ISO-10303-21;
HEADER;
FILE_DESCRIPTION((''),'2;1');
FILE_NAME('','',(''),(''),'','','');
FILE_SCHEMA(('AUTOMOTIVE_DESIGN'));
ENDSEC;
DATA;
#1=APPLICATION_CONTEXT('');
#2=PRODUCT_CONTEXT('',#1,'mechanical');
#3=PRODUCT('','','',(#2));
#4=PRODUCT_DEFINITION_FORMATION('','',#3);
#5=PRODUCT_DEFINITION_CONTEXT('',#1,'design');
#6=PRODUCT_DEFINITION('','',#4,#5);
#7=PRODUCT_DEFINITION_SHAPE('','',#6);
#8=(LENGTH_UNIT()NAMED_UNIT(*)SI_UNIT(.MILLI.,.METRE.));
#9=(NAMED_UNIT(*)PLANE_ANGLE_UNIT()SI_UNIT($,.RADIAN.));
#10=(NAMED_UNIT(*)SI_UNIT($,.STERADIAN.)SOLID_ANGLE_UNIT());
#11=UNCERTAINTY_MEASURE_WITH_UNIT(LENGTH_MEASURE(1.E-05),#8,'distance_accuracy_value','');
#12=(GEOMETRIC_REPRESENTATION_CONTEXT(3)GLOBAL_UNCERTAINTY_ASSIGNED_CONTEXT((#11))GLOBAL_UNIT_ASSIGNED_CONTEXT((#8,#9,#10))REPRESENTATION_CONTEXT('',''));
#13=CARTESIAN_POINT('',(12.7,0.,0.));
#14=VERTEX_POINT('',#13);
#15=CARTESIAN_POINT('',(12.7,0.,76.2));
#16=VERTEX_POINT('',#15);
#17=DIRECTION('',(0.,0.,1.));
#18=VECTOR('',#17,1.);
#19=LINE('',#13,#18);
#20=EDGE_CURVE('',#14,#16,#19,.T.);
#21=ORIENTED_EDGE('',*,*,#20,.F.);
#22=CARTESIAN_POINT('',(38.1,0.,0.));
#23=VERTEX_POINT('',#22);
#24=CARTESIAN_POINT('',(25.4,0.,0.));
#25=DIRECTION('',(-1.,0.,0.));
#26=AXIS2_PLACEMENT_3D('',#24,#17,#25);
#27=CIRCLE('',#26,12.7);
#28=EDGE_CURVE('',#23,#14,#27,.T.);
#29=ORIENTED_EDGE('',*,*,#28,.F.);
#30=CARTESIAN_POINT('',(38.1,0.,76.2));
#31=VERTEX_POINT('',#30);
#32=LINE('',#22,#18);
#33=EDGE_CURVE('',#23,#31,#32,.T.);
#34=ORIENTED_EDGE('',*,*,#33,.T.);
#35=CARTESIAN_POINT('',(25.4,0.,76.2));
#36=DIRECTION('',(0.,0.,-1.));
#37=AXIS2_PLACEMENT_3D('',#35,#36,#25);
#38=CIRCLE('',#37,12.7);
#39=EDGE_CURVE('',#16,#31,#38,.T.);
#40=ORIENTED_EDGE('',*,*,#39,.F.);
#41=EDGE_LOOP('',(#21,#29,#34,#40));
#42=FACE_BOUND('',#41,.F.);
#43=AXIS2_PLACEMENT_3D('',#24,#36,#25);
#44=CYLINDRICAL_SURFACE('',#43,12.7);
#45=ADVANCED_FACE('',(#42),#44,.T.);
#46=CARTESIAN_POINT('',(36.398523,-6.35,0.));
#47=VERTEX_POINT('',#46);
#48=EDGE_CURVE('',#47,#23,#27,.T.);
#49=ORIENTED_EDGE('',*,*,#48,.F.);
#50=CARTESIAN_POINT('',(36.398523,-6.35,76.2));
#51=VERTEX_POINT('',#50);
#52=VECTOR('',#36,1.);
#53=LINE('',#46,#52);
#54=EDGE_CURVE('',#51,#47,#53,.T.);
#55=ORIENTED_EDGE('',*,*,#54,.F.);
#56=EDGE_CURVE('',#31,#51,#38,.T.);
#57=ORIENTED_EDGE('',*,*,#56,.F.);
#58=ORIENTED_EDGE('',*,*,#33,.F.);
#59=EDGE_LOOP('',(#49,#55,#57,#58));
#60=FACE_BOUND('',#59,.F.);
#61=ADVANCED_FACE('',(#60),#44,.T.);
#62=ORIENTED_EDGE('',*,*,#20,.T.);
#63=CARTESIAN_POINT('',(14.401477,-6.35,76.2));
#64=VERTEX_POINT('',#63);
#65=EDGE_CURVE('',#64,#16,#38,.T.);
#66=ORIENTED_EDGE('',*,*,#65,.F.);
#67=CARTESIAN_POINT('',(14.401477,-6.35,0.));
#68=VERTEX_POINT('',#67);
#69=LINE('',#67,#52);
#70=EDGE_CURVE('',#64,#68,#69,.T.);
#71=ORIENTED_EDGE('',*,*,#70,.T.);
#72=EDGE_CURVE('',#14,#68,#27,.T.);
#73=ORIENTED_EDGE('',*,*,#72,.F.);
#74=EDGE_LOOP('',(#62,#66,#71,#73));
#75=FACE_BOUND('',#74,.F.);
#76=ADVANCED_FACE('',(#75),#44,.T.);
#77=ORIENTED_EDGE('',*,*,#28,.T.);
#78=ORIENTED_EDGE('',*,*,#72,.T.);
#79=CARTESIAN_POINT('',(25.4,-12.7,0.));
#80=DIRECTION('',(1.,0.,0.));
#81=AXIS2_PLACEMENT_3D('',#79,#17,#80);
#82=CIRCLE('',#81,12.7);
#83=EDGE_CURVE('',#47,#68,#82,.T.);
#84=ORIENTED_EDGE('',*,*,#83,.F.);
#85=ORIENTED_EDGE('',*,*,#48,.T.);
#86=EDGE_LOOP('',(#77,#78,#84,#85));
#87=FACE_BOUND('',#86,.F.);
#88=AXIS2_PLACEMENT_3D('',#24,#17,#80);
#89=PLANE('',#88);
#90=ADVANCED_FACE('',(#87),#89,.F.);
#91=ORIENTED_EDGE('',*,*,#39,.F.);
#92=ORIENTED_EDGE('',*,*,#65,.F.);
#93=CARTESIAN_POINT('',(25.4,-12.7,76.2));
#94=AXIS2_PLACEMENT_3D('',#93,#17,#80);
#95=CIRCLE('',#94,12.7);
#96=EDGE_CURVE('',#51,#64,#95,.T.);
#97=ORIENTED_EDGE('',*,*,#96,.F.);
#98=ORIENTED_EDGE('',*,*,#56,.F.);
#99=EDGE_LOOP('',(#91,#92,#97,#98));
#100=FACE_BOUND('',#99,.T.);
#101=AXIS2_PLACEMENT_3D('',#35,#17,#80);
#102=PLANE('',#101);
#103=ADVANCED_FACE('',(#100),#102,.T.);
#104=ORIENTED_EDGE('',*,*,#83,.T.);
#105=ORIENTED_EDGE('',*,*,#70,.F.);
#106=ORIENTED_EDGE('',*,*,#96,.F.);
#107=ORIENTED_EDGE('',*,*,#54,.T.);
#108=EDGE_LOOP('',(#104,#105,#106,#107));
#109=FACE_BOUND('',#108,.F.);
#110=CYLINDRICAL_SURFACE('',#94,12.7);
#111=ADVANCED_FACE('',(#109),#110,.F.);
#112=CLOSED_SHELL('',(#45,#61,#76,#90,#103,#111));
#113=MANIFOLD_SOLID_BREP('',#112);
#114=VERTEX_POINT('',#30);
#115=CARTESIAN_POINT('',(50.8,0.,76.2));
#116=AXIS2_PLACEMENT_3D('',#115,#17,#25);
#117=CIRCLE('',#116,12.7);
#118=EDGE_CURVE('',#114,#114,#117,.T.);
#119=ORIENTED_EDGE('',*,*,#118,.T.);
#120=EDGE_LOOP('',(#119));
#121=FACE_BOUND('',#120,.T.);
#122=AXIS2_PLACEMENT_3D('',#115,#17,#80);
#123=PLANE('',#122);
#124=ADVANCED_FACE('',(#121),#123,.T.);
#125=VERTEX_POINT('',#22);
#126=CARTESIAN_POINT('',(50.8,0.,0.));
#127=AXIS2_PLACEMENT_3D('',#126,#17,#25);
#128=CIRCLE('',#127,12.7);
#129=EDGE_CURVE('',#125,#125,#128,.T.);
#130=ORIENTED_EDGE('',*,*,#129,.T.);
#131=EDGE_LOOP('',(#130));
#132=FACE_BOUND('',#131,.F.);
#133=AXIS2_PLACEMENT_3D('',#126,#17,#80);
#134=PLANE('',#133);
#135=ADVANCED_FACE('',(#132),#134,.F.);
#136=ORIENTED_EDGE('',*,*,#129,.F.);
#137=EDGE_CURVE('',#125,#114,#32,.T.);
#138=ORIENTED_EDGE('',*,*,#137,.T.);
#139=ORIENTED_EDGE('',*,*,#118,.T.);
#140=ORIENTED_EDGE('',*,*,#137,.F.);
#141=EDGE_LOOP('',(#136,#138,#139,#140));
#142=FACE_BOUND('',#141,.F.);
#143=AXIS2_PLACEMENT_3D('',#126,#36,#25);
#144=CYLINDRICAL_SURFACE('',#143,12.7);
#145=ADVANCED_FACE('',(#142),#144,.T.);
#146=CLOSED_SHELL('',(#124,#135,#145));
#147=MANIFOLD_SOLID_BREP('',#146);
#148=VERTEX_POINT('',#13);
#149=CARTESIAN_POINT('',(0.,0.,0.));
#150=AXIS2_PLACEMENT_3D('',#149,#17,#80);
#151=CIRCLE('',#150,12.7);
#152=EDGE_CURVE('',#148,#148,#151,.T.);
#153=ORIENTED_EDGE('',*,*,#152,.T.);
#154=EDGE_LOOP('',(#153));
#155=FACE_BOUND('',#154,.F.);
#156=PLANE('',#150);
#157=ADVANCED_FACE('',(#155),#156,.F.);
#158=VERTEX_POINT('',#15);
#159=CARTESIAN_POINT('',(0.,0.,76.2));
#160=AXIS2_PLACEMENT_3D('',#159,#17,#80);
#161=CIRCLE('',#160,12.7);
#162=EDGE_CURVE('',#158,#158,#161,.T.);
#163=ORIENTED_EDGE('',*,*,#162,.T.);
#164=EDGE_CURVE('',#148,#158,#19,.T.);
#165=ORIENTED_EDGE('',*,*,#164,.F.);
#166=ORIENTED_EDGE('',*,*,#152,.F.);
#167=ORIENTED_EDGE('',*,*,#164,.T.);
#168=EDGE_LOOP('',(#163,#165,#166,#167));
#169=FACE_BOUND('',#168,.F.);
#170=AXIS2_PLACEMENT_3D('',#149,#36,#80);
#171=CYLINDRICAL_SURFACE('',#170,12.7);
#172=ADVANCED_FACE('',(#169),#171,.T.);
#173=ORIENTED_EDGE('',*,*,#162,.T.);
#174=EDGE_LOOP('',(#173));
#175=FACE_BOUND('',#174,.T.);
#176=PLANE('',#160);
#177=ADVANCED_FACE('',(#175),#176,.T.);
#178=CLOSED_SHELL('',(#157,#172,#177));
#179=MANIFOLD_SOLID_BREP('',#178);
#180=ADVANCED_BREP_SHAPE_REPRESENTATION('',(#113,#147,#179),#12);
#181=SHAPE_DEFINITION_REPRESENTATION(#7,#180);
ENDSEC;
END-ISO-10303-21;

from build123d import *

# Parameters (mm, degrees)
F0_R     = 12.7
F1_DEPTH = 76.2
F2_R     = 12.7
F3_DEPTH = 76.2


with BuildPart() as f1:
    # F0 (on Top) → F1 (new body)
    with BuildSketch(Plane.XY):
        Circle(F0_R)
        with BuildLine():
            ThreePointArc((63.5, 0), (50.8, 12.7), (38.1, 0))
            ThreePointArc((38.1, 0), (50.8, -12.7), (63.5, 0))
        make_face()
        with BuildLine():
            ThreePointArc((38.1, 0), (25.4, 12.7), (12.7, 0))
            ThreePointArc((12.7, 0), (25.4, -12.7), (38.1, 0))
        make_face()
    extrude(amount=F1_DEPTH)

    # F2 (on face) → F3 (cut)
    with BuildSketch(Plane.XY.offset(76.2)):
        with Locations((25.4, -12.7)):
            Circle(F2_R)
    extrude(amount=-F3_DEPTH, mode=Mode.SUBTRACT)


solid = f1.part
